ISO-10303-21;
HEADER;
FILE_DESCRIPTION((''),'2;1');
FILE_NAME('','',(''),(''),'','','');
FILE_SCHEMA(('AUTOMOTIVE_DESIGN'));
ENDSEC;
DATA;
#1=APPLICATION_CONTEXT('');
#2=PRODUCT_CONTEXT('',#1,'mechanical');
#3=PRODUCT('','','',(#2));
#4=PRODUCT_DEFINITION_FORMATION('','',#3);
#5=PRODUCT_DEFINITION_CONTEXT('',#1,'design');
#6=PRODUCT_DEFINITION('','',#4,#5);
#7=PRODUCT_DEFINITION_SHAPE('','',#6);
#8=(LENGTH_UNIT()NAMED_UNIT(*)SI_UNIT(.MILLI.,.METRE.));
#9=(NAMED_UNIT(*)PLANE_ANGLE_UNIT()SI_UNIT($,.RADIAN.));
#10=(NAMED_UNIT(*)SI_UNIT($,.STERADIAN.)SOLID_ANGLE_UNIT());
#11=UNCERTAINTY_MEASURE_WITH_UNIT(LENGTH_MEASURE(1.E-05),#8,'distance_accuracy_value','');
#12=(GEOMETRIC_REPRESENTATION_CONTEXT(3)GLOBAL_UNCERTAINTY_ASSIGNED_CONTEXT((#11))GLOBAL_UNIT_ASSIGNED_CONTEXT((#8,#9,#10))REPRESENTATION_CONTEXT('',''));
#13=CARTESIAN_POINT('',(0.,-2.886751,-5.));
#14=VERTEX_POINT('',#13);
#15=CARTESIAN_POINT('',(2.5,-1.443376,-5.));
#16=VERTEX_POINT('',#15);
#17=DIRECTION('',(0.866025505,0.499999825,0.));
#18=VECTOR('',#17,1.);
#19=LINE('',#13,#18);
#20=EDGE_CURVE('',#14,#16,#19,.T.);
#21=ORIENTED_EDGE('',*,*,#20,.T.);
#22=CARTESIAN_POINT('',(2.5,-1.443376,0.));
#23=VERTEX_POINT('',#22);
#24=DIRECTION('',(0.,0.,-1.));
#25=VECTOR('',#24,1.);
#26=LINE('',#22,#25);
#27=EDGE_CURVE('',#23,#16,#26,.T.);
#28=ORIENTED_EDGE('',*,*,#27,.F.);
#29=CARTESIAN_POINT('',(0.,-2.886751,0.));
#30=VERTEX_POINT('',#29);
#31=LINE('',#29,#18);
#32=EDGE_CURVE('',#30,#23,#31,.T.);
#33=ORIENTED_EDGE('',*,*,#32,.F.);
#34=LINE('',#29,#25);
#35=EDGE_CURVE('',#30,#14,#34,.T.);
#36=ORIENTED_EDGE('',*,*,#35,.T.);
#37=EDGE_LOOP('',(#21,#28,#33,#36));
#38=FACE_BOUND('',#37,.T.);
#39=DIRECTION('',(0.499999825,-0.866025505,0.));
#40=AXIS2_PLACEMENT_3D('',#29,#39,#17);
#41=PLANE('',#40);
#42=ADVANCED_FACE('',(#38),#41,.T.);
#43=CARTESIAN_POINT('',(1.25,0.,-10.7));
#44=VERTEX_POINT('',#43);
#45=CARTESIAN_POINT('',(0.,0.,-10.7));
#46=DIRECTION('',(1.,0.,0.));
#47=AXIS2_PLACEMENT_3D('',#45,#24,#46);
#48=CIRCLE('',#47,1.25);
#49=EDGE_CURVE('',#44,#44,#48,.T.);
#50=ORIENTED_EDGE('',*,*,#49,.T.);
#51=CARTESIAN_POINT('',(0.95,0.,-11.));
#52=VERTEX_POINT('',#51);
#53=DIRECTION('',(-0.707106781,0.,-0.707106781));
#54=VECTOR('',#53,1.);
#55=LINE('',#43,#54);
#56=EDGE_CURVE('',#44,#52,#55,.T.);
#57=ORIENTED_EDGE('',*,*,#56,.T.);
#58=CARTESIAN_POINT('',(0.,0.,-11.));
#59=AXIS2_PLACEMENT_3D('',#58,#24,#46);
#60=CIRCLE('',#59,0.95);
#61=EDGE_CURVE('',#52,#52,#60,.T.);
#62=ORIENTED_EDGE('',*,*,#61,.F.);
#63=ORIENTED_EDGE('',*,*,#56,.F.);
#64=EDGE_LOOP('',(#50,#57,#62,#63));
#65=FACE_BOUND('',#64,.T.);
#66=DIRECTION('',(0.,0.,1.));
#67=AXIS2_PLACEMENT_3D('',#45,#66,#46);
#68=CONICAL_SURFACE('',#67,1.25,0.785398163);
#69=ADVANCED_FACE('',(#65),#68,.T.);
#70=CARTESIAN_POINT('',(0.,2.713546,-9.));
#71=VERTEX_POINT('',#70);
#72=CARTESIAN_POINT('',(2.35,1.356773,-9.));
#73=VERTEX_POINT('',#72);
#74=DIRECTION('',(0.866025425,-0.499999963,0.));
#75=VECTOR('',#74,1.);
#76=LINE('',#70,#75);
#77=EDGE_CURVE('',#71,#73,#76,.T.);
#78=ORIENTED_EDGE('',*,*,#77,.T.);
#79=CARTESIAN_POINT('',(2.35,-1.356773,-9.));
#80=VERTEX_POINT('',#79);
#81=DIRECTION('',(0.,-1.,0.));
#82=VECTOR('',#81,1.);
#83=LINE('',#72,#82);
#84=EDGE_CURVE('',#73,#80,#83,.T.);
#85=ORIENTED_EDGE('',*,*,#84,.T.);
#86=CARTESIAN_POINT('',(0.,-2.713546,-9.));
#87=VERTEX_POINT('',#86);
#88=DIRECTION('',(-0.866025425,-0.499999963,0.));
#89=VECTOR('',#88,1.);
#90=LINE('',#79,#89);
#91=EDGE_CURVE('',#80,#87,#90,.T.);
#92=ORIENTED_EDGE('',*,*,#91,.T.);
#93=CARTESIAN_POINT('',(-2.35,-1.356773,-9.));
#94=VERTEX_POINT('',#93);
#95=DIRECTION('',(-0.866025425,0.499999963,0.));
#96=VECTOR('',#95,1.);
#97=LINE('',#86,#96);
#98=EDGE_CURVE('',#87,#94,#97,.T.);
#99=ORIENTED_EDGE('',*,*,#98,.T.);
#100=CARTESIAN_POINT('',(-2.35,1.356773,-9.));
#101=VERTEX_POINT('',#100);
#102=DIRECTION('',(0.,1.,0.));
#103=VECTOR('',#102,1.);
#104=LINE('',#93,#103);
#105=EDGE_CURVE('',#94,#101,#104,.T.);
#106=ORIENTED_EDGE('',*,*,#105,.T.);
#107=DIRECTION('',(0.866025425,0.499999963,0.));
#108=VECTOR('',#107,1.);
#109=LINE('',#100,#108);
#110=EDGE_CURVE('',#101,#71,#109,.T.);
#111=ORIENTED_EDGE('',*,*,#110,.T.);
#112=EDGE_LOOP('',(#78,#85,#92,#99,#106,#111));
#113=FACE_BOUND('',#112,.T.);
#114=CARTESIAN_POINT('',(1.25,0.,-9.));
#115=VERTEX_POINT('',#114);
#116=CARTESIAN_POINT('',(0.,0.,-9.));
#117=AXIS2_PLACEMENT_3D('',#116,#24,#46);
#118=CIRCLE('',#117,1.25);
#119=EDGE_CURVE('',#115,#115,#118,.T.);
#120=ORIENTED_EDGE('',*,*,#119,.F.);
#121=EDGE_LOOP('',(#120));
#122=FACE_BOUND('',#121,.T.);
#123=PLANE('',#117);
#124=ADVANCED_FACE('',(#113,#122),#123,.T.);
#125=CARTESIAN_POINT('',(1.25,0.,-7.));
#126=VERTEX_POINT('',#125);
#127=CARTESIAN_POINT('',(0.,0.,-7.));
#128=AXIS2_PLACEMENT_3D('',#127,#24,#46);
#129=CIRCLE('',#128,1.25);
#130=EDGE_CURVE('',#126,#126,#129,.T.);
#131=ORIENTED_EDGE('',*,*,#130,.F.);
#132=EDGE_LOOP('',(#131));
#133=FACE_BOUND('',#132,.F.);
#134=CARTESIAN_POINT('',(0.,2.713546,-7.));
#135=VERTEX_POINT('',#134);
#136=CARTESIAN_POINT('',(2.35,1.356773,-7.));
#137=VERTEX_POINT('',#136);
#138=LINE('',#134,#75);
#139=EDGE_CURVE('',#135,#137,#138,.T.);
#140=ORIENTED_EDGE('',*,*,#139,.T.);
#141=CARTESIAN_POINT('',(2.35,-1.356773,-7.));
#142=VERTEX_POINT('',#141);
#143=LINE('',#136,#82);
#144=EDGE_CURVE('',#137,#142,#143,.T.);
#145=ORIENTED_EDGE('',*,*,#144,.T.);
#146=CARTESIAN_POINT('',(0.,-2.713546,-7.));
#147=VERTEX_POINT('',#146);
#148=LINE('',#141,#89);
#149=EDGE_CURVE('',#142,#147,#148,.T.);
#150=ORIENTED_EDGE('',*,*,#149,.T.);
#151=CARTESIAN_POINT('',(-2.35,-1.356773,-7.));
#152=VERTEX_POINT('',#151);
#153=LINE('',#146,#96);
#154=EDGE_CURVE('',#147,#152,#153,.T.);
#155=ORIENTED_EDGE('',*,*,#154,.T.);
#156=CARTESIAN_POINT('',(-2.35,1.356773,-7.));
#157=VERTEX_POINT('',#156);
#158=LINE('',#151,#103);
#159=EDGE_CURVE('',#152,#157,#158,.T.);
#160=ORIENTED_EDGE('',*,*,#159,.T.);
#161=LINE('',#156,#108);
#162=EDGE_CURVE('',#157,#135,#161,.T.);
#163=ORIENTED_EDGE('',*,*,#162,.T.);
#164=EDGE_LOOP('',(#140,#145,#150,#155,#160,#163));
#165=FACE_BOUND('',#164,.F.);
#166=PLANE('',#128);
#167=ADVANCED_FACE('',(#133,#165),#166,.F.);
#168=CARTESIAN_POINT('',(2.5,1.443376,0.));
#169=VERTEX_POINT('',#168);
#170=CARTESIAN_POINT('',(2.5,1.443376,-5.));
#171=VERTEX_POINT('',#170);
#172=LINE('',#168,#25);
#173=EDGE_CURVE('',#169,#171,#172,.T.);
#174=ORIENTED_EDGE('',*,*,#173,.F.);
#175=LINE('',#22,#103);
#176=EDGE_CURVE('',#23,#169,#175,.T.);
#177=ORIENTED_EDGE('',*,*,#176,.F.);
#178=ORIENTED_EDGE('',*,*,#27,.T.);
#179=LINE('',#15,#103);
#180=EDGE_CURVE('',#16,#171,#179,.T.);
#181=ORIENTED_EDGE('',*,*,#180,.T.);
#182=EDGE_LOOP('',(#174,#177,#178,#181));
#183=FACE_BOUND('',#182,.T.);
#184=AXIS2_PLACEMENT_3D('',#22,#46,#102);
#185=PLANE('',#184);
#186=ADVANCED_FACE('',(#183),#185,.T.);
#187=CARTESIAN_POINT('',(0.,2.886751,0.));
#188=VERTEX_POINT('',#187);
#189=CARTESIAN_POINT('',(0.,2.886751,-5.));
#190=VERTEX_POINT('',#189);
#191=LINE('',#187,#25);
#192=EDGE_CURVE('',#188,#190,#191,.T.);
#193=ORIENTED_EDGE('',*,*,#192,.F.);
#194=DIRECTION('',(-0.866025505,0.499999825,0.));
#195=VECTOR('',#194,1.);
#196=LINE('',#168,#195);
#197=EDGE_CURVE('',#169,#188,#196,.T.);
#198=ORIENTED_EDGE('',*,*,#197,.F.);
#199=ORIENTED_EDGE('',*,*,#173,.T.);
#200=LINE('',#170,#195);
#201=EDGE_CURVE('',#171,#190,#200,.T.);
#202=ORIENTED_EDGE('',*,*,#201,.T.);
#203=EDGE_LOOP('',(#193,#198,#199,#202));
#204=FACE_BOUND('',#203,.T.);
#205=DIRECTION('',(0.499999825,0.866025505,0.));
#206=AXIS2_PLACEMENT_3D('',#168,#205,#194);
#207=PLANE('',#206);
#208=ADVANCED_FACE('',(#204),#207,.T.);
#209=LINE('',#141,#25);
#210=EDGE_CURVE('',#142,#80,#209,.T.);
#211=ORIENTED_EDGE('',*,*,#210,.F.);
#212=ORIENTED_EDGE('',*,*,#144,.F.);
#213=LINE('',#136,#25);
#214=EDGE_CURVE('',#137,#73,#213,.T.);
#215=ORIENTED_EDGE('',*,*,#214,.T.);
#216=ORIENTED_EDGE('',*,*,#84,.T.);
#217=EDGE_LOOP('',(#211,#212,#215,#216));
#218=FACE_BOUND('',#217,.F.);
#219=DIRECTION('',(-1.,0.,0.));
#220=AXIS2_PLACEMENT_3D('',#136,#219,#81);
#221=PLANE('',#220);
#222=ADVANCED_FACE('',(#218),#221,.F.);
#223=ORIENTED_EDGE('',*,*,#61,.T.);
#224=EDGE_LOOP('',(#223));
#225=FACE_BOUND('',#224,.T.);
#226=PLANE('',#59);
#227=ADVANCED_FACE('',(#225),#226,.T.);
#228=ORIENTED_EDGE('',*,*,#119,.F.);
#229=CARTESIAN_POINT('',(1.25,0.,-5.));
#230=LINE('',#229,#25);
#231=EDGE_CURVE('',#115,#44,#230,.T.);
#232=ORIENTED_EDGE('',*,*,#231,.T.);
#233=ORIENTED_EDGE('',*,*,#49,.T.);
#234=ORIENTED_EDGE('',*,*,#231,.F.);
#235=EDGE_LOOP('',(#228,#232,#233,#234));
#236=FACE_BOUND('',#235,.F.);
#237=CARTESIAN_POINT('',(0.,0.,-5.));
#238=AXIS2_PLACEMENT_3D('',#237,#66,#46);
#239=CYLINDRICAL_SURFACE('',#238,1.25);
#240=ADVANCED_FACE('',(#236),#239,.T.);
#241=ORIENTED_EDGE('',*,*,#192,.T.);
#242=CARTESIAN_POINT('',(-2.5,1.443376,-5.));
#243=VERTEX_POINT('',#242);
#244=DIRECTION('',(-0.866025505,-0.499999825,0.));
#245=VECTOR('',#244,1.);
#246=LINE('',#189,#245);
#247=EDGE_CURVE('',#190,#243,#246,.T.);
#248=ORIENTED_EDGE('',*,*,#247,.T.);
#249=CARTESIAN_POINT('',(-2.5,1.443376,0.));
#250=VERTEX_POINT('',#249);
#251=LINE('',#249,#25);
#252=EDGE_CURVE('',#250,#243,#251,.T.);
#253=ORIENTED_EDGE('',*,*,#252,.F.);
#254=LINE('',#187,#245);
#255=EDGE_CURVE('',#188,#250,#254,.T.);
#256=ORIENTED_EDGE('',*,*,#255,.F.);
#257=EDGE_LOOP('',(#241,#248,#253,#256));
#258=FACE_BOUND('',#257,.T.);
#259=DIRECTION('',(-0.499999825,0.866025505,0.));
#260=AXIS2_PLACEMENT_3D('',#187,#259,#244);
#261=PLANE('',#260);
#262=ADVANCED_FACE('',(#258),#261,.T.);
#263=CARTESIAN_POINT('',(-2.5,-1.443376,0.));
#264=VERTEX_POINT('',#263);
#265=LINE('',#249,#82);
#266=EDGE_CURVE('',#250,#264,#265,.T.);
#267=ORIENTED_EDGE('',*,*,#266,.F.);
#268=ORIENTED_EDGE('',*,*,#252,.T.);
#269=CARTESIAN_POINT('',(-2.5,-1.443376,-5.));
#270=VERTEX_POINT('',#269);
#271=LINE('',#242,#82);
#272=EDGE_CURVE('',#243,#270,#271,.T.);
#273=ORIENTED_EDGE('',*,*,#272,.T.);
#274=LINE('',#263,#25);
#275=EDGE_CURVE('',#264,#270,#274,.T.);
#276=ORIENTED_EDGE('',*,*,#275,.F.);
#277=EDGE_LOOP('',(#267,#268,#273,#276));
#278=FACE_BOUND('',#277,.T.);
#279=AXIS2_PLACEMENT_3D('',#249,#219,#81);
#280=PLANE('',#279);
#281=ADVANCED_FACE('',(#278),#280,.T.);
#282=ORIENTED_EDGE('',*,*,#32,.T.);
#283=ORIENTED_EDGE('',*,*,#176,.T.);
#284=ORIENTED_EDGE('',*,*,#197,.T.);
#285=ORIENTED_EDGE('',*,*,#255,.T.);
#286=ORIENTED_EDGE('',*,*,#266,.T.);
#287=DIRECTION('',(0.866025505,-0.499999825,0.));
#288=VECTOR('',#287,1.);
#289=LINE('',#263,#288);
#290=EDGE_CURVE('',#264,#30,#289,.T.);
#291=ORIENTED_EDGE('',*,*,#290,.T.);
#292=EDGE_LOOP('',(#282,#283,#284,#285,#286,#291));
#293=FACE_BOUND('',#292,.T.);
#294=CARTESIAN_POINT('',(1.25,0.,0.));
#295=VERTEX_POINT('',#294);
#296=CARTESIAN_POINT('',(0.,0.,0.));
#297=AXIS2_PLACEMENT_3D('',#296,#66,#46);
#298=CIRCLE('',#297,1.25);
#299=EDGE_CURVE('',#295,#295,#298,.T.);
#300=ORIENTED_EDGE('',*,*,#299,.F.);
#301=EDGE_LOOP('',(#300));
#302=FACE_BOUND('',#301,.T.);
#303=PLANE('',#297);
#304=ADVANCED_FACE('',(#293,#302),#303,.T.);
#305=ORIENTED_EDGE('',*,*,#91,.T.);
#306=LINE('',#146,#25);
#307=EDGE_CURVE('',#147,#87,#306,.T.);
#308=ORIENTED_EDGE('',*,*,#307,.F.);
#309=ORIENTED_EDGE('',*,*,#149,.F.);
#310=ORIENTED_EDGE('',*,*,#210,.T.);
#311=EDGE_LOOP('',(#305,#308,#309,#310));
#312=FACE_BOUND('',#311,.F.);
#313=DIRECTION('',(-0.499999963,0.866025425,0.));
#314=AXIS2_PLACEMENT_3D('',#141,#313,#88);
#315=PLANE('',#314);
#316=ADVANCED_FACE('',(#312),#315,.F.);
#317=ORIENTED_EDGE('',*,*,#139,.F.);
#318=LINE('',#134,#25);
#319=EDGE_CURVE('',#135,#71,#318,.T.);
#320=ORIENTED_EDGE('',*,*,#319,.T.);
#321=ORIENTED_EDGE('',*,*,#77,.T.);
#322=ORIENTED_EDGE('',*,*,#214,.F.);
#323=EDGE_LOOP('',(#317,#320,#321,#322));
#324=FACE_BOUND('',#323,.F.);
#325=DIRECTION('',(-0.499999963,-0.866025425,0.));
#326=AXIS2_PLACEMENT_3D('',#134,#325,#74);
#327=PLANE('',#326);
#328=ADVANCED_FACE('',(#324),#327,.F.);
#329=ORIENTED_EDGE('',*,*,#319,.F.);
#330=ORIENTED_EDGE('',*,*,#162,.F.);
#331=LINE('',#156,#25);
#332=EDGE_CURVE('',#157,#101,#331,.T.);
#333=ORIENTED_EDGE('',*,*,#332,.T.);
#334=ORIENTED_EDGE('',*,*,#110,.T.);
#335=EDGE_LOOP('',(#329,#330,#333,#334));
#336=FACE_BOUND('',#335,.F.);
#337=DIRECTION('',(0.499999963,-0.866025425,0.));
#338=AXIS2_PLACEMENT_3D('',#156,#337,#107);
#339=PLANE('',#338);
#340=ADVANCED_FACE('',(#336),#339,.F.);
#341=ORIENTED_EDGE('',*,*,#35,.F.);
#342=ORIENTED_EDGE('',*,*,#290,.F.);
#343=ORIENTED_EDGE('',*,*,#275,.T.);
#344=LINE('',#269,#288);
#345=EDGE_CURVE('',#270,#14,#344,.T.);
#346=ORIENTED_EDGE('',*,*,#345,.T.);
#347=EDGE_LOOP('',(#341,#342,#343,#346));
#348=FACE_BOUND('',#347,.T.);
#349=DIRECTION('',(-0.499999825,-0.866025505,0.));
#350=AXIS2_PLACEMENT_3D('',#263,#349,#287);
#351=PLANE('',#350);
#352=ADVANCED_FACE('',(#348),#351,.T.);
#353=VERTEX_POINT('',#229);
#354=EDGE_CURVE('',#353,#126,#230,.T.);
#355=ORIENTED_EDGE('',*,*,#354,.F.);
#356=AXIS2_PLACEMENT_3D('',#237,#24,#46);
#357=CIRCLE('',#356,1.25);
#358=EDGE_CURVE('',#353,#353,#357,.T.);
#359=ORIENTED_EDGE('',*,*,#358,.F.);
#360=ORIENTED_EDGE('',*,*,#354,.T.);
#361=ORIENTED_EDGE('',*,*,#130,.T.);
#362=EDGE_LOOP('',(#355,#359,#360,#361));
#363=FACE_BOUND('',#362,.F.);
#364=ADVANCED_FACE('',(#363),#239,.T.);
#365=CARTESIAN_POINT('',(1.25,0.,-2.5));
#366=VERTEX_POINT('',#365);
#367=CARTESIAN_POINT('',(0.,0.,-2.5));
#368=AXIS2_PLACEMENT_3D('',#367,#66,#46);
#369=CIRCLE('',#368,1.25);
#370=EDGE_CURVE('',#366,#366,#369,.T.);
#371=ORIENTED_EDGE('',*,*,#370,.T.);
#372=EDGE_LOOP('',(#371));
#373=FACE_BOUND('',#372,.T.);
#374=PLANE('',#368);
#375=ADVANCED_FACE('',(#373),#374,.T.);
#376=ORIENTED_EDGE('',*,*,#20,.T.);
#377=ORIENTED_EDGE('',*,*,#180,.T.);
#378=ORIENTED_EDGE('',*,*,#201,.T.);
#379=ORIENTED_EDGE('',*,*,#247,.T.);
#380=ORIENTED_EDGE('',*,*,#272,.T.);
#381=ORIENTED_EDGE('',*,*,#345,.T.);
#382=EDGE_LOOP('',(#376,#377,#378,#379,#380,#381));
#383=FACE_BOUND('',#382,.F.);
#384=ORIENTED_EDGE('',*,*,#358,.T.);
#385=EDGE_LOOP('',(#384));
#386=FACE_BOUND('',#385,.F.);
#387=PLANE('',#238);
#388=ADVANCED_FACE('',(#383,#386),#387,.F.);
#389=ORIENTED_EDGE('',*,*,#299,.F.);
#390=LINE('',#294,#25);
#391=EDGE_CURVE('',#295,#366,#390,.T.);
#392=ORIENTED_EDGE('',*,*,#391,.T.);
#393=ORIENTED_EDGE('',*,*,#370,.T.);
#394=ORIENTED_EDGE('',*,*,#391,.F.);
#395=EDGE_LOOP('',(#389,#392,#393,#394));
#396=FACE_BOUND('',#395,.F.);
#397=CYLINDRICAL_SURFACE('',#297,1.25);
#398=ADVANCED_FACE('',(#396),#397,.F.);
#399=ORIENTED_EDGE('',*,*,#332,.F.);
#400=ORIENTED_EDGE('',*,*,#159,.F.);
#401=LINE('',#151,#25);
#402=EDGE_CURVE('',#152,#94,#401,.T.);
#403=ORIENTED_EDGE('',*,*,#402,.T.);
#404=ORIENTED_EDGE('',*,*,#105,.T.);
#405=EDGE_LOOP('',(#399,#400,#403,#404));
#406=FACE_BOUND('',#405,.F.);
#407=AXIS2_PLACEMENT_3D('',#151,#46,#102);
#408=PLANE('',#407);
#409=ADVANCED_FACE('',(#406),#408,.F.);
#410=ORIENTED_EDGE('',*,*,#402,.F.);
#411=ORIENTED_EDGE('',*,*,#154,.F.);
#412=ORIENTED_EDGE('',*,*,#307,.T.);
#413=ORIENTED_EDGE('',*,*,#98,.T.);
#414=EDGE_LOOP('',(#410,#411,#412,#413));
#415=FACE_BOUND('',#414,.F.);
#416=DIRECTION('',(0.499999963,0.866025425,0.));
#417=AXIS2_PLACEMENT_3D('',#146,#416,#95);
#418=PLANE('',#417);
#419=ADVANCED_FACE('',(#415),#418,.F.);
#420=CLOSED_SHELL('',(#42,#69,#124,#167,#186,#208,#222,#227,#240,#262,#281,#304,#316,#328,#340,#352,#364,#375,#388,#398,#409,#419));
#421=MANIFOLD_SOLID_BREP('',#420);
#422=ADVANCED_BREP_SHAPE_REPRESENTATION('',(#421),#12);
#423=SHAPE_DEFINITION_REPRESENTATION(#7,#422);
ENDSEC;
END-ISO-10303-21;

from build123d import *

# Parameters (mm, degrees)
F1_DEPTH = 5
F2_R     = 1.25
F3_DEPTH = 6
F4_R     = 1.25
F5_DEPTH = 2.5
F6_SIZE  = 0.3
F8_R     = 1.25
F9_DEPTH = 2


with BuildPart() as f1:
    # F0 (on Top) → F1 (new body)
    with BuildSketch(Plane.XY):
        Polygon((2.5, 1.443376), (0, 2.886751), (-2.5, 1.443376), (-2.5, -1.443376), (0, -2.886751), (2.5, -1.443376), align=None)
    extrude(amount=-F1_DEPTH)

    # F2 (on face) → F3 (join)
    with BuildSketch(Plane(origin=(0, 0, -5), x_dir=(1, 0, 0), z_dir=(0, 0, -1))):
        Circle(F2_R)
    extrude(amount=F3_DEPTH)

    # F4 (on face) → F5 (cut)
    with BuildSketch(Plane.XY):
        Circle(F4_R)
    extrude(amount=-F5_DEPTH, mode=Mode.SUBTRACT)

    # F6
    f6_edges = [f1.edges().sort_by_distance(p)[0] for p in [
        (-1.25, 0, -11),
    ]]
    chamfer(f6_edges, length=F6_SIZE)

    # F8 (on offset) → F9 (join)
    with BuildSketch(Plane(origin=(0, 0, -7), x_dir=(1, 0, 0), z_dir=(0, 0, -1))):
        Polygon((0, 2.713546), (-2.35, 1.356773), (-2.35, -1.356773), (0, -2.713546), (2.35, -1.356773), (2.35, 1.356773), align=None)
        Circle(F8_R, mode=Mode.SUBTRACT)
    extrude(amount=F9_DEPTH)


solid = f1.part
